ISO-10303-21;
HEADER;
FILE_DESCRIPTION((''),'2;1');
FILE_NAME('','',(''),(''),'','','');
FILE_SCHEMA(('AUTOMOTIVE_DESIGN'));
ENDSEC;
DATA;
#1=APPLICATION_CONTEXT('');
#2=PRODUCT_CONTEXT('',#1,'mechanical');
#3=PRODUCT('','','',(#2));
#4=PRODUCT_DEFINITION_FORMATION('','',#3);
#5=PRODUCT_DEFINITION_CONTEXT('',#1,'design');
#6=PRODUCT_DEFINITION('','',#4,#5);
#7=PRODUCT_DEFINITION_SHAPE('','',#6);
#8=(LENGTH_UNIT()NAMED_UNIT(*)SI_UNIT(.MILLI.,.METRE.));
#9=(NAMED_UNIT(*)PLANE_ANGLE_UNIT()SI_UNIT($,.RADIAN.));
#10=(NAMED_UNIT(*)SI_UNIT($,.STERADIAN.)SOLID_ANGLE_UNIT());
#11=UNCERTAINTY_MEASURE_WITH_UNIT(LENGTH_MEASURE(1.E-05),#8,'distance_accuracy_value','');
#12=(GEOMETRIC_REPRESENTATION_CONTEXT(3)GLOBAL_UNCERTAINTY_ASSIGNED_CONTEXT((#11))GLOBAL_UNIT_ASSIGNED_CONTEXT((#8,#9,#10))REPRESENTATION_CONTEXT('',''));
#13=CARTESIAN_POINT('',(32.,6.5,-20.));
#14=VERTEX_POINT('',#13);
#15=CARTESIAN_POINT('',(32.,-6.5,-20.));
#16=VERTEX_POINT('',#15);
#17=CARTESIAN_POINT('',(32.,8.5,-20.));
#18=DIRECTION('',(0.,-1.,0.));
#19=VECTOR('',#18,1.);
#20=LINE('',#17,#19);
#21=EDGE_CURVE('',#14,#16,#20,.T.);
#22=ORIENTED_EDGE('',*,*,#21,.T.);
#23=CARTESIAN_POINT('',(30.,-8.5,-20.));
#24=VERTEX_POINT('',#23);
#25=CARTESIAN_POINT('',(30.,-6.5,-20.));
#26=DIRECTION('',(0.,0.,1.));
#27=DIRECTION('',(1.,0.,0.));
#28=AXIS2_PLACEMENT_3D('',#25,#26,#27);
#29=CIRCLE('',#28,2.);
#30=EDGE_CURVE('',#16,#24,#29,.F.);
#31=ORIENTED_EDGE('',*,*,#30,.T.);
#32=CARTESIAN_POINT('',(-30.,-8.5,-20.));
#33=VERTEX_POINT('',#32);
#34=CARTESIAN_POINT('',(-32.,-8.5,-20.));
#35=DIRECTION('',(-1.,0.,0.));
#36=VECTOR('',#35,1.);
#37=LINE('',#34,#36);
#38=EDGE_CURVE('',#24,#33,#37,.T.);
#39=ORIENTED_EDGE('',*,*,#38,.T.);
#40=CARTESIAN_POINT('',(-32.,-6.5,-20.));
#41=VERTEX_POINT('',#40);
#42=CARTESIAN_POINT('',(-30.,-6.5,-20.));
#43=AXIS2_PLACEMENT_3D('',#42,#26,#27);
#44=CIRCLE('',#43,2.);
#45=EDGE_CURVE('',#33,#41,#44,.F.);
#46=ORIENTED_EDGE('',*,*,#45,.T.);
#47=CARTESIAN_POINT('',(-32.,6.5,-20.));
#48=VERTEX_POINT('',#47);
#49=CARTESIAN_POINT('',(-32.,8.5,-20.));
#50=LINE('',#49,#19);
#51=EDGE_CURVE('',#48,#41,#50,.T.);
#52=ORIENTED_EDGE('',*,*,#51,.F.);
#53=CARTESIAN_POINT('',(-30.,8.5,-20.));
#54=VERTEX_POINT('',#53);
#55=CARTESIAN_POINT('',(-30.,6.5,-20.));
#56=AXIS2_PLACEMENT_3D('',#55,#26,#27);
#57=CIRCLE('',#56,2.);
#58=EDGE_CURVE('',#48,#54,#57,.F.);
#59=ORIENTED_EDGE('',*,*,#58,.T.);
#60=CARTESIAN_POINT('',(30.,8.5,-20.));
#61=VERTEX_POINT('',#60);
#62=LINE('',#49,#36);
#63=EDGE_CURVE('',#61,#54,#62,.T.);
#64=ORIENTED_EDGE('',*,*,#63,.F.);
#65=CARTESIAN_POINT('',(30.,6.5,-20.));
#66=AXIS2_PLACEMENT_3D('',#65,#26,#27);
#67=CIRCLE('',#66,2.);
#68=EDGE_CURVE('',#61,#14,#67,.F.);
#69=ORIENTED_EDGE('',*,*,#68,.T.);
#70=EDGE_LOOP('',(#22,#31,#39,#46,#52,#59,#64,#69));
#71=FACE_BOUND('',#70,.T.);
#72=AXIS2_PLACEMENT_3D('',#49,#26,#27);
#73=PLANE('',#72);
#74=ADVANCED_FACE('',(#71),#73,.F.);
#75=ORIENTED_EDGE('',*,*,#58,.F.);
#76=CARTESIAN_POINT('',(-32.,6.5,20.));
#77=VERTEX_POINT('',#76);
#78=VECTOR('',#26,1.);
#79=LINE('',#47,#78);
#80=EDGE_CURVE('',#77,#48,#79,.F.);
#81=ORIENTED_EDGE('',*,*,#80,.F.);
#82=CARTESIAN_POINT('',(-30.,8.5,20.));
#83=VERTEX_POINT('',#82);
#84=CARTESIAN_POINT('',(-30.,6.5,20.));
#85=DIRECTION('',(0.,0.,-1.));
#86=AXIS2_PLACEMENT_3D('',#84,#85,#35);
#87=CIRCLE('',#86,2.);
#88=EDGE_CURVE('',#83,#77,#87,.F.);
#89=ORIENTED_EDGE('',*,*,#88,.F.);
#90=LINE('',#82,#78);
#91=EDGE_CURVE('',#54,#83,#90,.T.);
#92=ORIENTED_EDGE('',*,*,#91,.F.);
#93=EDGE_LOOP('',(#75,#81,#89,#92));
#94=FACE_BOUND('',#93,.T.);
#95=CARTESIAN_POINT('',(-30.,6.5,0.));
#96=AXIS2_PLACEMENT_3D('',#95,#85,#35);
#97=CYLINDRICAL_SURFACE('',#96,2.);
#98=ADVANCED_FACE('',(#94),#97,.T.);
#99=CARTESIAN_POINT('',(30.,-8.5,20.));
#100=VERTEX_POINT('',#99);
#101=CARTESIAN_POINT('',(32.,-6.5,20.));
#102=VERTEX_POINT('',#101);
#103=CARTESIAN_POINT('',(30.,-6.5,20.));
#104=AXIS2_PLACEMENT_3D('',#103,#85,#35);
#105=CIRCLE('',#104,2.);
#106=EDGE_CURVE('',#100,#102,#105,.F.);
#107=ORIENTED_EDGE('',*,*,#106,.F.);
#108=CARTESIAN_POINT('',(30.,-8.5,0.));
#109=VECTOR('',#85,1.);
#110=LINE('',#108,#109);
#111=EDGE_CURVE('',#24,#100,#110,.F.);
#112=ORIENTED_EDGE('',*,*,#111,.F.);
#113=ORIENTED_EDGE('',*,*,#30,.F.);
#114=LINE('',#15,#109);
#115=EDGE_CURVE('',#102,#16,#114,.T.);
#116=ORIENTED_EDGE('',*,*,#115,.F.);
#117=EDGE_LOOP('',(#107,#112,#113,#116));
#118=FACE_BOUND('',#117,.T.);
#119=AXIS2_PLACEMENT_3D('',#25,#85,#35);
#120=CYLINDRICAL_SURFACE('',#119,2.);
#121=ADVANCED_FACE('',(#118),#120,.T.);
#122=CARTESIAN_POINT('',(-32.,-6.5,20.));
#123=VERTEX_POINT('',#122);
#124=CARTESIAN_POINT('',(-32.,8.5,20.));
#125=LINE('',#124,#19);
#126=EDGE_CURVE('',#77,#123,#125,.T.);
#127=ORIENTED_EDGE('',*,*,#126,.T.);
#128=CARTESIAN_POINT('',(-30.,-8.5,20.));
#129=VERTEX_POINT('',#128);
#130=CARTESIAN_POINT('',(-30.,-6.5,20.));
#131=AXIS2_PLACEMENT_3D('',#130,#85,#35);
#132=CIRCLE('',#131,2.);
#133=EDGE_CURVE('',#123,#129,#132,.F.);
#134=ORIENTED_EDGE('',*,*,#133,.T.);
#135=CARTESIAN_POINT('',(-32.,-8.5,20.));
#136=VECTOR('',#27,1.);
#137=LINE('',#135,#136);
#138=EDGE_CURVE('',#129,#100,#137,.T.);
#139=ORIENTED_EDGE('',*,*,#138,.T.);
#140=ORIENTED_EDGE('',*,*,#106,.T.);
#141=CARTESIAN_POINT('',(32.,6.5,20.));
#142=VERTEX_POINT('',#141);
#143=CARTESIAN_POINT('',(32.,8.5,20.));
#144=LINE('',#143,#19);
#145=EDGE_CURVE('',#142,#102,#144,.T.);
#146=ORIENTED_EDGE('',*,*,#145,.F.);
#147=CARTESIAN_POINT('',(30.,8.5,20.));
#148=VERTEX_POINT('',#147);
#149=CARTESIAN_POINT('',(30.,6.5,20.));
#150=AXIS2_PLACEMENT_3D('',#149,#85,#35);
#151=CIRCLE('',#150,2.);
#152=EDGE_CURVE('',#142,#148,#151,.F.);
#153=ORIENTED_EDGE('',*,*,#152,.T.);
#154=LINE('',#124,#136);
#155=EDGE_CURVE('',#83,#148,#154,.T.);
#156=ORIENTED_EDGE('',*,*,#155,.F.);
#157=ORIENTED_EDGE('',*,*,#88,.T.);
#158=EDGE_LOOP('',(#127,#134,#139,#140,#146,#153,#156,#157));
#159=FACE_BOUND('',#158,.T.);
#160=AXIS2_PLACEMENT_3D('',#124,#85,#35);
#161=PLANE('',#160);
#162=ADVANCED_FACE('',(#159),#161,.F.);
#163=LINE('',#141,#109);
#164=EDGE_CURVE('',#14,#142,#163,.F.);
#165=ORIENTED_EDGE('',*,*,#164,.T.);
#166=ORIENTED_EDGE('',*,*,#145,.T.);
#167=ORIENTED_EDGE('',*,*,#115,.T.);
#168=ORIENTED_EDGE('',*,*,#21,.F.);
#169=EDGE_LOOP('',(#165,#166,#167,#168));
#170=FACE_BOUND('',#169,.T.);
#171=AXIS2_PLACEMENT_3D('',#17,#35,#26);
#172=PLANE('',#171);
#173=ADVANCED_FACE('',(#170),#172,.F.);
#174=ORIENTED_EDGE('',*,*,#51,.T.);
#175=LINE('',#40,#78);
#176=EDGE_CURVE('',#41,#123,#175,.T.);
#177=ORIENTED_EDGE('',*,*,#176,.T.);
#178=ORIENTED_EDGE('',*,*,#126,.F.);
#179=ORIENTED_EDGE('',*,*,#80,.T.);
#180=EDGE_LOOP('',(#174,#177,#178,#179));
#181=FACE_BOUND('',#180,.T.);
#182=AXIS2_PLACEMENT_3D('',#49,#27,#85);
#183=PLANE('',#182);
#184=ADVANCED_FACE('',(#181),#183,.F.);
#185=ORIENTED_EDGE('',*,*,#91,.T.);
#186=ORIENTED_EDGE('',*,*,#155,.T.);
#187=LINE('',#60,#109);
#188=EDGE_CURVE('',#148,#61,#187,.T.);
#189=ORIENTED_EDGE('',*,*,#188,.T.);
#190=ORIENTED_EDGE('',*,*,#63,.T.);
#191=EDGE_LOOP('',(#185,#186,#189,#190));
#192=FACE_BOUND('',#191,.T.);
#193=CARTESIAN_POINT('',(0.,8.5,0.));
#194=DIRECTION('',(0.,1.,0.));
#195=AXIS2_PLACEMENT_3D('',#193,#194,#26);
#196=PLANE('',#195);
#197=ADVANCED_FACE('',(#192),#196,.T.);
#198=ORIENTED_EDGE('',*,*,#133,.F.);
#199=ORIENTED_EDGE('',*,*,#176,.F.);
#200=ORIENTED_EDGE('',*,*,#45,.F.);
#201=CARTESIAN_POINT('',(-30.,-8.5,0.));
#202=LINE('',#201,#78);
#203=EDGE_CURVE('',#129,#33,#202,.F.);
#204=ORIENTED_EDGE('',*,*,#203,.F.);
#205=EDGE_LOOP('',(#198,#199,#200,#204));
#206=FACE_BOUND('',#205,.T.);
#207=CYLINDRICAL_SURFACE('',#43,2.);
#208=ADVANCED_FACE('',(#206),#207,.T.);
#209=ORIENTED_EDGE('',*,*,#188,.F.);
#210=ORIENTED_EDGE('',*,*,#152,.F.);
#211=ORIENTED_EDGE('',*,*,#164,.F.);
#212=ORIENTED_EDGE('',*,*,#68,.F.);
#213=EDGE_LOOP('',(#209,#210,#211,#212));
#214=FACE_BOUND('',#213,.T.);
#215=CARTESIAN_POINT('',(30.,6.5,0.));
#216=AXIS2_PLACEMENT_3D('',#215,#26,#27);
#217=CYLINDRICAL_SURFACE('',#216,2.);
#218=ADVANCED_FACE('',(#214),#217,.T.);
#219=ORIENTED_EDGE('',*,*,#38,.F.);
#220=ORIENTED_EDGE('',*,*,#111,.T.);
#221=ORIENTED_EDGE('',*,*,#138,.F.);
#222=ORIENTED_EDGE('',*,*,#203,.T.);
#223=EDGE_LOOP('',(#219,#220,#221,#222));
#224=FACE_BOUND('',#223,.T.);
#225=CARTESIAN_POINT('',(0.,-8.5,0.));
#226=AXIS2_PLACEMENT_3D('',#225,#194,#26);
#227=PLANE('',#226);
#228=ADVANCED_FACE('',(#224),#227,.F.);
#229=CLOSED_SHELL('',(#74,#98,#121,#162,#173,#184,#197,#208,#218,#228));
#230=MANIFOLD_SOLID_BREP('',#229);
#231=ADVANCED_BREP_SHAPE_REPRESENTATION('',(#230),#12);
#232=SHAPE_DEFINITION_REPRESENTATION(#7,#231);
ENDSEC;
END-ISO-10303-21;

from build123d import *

# Parameters (mm, degrees)
SKETCH1_W           = 64
SKETCH1_H           = 40
BOSS_EXTRUDE1_DEPTH = 8.5
FILLET1_R           = 2


with BuildPart() as part:
    # Sketch1 → Boss-Extrude1 (new body, symmetric)
    with BuildSketch(Plane(origin=(0, 0, 0), x_dir=(1, 0, 0), z_dir=(0, 1, 0))):
        Rectangle(SKETCH1_W, SKETCH1_H)
    extrude(amount=BOSS_EXTRUDE1_DEPTH, both=True)

    # Fillet1
    fillet1_edges = [part.edges().sort_by_distance(p)[0] for p in [
        (-32, 8.5, 0),
        (32, 8.5, 0),
        (-32, -8.5, 0),
        (32, -8.5, 0),
    ]]
    fillet(fillet1_edges, radius=FILLET1_R)


solid = part.part
